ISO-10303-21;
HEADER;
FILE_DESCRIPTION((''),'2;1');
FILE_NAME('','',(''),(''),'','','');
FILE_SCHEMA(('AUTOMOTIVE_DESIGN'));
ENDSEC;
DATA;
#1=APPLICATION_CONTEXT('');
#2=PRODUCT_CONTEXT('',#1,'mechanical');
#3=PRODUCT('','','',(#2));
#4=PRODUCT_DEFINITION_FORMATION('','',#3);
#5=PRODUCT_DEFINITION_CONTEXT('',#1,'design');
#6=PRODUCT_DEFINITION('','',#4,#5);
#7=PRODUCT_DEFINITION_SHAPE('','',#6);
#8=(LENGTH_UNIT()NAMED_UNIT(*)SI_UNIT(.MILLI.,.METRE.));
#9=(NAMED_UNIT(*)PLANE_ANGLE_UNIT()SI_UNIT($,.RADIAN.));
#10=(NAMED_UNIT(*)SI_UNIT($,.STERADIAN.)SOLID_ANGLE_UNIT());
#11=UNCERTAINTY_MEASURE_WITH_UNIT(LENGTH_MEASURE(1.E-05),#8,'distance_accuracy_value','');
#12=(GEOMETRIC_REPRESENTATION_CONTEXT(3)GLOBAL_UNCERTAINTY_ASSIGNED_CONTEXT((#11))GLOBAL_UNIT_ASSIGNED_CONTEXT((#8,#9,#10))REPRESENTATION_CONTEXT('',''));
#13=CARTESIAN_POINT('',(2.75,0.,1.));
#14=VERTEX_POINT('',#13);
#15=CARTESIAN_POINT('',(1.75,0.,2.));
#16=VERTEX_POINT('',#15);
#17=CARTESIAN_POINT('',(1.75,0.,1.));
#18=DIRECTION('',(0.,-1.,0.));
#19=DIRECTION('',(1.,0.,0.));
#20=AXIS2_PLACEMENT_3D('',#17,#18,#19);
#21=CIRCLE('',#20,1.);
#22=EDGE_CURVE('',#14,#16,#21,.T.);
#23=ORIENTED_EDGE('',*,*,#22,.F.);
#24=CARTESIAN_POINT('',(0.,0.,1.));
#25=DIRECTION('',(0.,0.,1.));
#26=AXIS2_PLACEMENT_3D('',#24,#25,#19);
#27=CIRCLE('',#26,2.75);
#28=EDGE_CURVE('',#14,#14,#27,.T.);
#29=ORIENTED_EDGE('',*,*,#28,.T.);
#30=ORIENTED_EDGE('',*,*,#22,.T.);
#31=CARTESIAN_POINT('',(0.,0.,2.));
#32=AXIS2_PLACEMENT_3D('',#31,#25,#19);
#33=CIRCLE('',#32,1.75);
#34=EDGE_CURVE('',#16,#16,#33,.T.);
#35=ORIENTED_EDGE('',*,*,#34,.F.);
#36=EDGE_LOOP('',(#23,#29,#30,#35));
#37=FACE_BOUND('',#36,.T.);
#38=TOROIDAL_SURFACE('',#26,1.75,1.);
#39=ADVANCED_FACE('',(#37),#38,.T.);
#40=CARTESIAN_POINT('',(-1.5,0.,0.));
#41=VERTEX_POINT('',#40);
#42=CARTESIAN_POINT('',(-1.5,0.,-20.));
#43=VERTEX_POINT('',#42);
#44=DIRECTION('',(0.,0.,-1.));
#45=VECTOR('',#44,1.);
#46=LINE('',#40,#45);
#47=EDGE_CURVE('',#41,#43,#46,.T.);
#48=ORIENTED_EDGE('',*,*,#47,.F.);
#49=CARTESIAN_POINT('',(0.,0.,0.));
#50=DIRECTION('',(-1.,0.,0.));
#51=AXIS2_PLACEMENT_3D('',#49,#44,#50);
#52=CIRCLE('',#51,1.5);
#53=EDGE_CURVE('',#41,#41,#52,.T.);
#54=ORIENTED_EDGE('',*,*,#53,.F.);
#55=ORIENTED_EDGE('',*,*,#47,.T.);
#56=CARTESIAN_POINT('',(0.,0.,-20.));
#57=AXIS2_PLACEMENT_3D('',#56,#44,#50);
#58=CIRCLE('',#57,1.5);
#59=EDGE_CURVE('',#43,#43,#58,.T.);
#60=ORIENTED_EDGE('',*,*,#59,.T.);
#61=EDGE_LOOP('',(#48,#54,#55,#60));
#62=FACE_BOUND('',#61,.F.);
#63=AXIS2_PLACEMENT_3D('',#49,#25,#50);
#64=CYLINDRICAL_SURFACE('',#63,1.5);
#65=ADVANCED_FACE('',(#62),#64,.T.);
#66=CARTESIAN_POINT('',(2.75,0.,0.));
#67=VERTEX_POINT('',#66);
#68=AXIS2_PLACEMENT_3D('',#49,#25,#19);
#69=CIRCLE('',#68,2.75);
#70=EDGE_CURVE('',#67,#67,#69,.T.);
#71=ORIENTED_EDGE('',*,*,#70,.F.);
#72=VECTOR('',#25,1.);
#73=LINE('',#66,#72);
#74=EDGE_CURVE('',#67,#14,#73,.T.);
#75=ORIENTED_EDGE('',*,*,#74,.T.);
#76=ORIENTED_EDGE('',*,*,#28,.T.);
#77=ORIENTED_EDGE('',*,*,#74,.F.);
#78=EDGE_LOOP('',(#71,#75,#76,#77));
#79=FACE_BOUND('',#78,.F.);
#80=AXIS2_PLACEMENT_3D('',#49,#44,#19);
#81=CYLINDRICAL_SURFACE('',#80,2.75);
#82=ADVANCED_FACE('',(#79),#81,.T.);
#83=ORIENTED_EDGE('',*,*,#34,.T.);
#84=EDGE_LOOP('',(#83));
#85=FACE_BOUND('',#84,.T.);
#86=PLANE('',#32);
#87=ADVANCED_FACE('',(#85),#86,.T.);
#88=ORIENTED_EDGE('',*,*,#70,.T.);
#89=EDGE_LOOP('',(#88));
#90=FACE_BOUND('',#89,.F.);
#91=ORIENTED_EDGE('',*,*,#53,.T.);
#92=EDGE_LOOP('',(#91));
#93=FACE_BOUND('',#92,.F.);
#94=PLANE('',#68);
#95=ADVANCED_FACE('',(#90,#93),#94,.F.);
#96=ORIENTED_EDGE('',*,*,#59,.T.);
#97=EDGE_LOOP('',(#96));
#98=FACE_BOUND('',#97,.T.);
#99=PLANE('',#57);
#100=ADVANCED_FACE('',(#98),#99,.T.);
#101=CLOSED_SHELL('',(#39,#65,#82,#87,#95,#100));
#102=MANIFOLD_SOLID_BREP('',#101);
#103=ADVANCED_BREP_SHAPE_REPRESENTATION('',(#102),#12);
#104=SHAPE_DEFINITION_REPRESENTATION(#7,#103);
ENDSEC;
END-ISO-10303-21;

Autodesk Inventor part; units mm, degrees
ref_plane "YZ Plane" through (0, 0, 0) normal (1, 0, 0) x (0, 1, 0)
ref_plane "XZ Plane" through (0, 0, 0) normal (0, 1, 0) x (-1, 0, 0)
ref_plane "XY Plane" through (0, 0, 0) normal (0, 0, 1) x (1, 0, 0)
sketch "スケッチ1" plane through (0, 0, 0) normal (0, 0, 1) x (1, 0, 0)
  circle A0 centre (0, 0) radius 2.75
  dimension "d0" = 5.5
extrude "押し出し1" add sketch "スケッチ1" along normal blind 2
fillet "フィレット1" radius 1 1 edges at (-2.75, 0, 2)
sketch "スケッチ2" plane through (0, 0, 0) normal (0, 0, -1) x (-1, 0, 0)
  circle A0 centre (0, 0) radius 1.5
  dimension "d4" = 3
extrude "押し出し2" add sketch "スケッチ2" along normal blind 20
thread "ねじ1" size "M3x0.5" class "6g" standard "ANSI Metric M Profile" full length
properties part number "Screw" material "真鍮"
